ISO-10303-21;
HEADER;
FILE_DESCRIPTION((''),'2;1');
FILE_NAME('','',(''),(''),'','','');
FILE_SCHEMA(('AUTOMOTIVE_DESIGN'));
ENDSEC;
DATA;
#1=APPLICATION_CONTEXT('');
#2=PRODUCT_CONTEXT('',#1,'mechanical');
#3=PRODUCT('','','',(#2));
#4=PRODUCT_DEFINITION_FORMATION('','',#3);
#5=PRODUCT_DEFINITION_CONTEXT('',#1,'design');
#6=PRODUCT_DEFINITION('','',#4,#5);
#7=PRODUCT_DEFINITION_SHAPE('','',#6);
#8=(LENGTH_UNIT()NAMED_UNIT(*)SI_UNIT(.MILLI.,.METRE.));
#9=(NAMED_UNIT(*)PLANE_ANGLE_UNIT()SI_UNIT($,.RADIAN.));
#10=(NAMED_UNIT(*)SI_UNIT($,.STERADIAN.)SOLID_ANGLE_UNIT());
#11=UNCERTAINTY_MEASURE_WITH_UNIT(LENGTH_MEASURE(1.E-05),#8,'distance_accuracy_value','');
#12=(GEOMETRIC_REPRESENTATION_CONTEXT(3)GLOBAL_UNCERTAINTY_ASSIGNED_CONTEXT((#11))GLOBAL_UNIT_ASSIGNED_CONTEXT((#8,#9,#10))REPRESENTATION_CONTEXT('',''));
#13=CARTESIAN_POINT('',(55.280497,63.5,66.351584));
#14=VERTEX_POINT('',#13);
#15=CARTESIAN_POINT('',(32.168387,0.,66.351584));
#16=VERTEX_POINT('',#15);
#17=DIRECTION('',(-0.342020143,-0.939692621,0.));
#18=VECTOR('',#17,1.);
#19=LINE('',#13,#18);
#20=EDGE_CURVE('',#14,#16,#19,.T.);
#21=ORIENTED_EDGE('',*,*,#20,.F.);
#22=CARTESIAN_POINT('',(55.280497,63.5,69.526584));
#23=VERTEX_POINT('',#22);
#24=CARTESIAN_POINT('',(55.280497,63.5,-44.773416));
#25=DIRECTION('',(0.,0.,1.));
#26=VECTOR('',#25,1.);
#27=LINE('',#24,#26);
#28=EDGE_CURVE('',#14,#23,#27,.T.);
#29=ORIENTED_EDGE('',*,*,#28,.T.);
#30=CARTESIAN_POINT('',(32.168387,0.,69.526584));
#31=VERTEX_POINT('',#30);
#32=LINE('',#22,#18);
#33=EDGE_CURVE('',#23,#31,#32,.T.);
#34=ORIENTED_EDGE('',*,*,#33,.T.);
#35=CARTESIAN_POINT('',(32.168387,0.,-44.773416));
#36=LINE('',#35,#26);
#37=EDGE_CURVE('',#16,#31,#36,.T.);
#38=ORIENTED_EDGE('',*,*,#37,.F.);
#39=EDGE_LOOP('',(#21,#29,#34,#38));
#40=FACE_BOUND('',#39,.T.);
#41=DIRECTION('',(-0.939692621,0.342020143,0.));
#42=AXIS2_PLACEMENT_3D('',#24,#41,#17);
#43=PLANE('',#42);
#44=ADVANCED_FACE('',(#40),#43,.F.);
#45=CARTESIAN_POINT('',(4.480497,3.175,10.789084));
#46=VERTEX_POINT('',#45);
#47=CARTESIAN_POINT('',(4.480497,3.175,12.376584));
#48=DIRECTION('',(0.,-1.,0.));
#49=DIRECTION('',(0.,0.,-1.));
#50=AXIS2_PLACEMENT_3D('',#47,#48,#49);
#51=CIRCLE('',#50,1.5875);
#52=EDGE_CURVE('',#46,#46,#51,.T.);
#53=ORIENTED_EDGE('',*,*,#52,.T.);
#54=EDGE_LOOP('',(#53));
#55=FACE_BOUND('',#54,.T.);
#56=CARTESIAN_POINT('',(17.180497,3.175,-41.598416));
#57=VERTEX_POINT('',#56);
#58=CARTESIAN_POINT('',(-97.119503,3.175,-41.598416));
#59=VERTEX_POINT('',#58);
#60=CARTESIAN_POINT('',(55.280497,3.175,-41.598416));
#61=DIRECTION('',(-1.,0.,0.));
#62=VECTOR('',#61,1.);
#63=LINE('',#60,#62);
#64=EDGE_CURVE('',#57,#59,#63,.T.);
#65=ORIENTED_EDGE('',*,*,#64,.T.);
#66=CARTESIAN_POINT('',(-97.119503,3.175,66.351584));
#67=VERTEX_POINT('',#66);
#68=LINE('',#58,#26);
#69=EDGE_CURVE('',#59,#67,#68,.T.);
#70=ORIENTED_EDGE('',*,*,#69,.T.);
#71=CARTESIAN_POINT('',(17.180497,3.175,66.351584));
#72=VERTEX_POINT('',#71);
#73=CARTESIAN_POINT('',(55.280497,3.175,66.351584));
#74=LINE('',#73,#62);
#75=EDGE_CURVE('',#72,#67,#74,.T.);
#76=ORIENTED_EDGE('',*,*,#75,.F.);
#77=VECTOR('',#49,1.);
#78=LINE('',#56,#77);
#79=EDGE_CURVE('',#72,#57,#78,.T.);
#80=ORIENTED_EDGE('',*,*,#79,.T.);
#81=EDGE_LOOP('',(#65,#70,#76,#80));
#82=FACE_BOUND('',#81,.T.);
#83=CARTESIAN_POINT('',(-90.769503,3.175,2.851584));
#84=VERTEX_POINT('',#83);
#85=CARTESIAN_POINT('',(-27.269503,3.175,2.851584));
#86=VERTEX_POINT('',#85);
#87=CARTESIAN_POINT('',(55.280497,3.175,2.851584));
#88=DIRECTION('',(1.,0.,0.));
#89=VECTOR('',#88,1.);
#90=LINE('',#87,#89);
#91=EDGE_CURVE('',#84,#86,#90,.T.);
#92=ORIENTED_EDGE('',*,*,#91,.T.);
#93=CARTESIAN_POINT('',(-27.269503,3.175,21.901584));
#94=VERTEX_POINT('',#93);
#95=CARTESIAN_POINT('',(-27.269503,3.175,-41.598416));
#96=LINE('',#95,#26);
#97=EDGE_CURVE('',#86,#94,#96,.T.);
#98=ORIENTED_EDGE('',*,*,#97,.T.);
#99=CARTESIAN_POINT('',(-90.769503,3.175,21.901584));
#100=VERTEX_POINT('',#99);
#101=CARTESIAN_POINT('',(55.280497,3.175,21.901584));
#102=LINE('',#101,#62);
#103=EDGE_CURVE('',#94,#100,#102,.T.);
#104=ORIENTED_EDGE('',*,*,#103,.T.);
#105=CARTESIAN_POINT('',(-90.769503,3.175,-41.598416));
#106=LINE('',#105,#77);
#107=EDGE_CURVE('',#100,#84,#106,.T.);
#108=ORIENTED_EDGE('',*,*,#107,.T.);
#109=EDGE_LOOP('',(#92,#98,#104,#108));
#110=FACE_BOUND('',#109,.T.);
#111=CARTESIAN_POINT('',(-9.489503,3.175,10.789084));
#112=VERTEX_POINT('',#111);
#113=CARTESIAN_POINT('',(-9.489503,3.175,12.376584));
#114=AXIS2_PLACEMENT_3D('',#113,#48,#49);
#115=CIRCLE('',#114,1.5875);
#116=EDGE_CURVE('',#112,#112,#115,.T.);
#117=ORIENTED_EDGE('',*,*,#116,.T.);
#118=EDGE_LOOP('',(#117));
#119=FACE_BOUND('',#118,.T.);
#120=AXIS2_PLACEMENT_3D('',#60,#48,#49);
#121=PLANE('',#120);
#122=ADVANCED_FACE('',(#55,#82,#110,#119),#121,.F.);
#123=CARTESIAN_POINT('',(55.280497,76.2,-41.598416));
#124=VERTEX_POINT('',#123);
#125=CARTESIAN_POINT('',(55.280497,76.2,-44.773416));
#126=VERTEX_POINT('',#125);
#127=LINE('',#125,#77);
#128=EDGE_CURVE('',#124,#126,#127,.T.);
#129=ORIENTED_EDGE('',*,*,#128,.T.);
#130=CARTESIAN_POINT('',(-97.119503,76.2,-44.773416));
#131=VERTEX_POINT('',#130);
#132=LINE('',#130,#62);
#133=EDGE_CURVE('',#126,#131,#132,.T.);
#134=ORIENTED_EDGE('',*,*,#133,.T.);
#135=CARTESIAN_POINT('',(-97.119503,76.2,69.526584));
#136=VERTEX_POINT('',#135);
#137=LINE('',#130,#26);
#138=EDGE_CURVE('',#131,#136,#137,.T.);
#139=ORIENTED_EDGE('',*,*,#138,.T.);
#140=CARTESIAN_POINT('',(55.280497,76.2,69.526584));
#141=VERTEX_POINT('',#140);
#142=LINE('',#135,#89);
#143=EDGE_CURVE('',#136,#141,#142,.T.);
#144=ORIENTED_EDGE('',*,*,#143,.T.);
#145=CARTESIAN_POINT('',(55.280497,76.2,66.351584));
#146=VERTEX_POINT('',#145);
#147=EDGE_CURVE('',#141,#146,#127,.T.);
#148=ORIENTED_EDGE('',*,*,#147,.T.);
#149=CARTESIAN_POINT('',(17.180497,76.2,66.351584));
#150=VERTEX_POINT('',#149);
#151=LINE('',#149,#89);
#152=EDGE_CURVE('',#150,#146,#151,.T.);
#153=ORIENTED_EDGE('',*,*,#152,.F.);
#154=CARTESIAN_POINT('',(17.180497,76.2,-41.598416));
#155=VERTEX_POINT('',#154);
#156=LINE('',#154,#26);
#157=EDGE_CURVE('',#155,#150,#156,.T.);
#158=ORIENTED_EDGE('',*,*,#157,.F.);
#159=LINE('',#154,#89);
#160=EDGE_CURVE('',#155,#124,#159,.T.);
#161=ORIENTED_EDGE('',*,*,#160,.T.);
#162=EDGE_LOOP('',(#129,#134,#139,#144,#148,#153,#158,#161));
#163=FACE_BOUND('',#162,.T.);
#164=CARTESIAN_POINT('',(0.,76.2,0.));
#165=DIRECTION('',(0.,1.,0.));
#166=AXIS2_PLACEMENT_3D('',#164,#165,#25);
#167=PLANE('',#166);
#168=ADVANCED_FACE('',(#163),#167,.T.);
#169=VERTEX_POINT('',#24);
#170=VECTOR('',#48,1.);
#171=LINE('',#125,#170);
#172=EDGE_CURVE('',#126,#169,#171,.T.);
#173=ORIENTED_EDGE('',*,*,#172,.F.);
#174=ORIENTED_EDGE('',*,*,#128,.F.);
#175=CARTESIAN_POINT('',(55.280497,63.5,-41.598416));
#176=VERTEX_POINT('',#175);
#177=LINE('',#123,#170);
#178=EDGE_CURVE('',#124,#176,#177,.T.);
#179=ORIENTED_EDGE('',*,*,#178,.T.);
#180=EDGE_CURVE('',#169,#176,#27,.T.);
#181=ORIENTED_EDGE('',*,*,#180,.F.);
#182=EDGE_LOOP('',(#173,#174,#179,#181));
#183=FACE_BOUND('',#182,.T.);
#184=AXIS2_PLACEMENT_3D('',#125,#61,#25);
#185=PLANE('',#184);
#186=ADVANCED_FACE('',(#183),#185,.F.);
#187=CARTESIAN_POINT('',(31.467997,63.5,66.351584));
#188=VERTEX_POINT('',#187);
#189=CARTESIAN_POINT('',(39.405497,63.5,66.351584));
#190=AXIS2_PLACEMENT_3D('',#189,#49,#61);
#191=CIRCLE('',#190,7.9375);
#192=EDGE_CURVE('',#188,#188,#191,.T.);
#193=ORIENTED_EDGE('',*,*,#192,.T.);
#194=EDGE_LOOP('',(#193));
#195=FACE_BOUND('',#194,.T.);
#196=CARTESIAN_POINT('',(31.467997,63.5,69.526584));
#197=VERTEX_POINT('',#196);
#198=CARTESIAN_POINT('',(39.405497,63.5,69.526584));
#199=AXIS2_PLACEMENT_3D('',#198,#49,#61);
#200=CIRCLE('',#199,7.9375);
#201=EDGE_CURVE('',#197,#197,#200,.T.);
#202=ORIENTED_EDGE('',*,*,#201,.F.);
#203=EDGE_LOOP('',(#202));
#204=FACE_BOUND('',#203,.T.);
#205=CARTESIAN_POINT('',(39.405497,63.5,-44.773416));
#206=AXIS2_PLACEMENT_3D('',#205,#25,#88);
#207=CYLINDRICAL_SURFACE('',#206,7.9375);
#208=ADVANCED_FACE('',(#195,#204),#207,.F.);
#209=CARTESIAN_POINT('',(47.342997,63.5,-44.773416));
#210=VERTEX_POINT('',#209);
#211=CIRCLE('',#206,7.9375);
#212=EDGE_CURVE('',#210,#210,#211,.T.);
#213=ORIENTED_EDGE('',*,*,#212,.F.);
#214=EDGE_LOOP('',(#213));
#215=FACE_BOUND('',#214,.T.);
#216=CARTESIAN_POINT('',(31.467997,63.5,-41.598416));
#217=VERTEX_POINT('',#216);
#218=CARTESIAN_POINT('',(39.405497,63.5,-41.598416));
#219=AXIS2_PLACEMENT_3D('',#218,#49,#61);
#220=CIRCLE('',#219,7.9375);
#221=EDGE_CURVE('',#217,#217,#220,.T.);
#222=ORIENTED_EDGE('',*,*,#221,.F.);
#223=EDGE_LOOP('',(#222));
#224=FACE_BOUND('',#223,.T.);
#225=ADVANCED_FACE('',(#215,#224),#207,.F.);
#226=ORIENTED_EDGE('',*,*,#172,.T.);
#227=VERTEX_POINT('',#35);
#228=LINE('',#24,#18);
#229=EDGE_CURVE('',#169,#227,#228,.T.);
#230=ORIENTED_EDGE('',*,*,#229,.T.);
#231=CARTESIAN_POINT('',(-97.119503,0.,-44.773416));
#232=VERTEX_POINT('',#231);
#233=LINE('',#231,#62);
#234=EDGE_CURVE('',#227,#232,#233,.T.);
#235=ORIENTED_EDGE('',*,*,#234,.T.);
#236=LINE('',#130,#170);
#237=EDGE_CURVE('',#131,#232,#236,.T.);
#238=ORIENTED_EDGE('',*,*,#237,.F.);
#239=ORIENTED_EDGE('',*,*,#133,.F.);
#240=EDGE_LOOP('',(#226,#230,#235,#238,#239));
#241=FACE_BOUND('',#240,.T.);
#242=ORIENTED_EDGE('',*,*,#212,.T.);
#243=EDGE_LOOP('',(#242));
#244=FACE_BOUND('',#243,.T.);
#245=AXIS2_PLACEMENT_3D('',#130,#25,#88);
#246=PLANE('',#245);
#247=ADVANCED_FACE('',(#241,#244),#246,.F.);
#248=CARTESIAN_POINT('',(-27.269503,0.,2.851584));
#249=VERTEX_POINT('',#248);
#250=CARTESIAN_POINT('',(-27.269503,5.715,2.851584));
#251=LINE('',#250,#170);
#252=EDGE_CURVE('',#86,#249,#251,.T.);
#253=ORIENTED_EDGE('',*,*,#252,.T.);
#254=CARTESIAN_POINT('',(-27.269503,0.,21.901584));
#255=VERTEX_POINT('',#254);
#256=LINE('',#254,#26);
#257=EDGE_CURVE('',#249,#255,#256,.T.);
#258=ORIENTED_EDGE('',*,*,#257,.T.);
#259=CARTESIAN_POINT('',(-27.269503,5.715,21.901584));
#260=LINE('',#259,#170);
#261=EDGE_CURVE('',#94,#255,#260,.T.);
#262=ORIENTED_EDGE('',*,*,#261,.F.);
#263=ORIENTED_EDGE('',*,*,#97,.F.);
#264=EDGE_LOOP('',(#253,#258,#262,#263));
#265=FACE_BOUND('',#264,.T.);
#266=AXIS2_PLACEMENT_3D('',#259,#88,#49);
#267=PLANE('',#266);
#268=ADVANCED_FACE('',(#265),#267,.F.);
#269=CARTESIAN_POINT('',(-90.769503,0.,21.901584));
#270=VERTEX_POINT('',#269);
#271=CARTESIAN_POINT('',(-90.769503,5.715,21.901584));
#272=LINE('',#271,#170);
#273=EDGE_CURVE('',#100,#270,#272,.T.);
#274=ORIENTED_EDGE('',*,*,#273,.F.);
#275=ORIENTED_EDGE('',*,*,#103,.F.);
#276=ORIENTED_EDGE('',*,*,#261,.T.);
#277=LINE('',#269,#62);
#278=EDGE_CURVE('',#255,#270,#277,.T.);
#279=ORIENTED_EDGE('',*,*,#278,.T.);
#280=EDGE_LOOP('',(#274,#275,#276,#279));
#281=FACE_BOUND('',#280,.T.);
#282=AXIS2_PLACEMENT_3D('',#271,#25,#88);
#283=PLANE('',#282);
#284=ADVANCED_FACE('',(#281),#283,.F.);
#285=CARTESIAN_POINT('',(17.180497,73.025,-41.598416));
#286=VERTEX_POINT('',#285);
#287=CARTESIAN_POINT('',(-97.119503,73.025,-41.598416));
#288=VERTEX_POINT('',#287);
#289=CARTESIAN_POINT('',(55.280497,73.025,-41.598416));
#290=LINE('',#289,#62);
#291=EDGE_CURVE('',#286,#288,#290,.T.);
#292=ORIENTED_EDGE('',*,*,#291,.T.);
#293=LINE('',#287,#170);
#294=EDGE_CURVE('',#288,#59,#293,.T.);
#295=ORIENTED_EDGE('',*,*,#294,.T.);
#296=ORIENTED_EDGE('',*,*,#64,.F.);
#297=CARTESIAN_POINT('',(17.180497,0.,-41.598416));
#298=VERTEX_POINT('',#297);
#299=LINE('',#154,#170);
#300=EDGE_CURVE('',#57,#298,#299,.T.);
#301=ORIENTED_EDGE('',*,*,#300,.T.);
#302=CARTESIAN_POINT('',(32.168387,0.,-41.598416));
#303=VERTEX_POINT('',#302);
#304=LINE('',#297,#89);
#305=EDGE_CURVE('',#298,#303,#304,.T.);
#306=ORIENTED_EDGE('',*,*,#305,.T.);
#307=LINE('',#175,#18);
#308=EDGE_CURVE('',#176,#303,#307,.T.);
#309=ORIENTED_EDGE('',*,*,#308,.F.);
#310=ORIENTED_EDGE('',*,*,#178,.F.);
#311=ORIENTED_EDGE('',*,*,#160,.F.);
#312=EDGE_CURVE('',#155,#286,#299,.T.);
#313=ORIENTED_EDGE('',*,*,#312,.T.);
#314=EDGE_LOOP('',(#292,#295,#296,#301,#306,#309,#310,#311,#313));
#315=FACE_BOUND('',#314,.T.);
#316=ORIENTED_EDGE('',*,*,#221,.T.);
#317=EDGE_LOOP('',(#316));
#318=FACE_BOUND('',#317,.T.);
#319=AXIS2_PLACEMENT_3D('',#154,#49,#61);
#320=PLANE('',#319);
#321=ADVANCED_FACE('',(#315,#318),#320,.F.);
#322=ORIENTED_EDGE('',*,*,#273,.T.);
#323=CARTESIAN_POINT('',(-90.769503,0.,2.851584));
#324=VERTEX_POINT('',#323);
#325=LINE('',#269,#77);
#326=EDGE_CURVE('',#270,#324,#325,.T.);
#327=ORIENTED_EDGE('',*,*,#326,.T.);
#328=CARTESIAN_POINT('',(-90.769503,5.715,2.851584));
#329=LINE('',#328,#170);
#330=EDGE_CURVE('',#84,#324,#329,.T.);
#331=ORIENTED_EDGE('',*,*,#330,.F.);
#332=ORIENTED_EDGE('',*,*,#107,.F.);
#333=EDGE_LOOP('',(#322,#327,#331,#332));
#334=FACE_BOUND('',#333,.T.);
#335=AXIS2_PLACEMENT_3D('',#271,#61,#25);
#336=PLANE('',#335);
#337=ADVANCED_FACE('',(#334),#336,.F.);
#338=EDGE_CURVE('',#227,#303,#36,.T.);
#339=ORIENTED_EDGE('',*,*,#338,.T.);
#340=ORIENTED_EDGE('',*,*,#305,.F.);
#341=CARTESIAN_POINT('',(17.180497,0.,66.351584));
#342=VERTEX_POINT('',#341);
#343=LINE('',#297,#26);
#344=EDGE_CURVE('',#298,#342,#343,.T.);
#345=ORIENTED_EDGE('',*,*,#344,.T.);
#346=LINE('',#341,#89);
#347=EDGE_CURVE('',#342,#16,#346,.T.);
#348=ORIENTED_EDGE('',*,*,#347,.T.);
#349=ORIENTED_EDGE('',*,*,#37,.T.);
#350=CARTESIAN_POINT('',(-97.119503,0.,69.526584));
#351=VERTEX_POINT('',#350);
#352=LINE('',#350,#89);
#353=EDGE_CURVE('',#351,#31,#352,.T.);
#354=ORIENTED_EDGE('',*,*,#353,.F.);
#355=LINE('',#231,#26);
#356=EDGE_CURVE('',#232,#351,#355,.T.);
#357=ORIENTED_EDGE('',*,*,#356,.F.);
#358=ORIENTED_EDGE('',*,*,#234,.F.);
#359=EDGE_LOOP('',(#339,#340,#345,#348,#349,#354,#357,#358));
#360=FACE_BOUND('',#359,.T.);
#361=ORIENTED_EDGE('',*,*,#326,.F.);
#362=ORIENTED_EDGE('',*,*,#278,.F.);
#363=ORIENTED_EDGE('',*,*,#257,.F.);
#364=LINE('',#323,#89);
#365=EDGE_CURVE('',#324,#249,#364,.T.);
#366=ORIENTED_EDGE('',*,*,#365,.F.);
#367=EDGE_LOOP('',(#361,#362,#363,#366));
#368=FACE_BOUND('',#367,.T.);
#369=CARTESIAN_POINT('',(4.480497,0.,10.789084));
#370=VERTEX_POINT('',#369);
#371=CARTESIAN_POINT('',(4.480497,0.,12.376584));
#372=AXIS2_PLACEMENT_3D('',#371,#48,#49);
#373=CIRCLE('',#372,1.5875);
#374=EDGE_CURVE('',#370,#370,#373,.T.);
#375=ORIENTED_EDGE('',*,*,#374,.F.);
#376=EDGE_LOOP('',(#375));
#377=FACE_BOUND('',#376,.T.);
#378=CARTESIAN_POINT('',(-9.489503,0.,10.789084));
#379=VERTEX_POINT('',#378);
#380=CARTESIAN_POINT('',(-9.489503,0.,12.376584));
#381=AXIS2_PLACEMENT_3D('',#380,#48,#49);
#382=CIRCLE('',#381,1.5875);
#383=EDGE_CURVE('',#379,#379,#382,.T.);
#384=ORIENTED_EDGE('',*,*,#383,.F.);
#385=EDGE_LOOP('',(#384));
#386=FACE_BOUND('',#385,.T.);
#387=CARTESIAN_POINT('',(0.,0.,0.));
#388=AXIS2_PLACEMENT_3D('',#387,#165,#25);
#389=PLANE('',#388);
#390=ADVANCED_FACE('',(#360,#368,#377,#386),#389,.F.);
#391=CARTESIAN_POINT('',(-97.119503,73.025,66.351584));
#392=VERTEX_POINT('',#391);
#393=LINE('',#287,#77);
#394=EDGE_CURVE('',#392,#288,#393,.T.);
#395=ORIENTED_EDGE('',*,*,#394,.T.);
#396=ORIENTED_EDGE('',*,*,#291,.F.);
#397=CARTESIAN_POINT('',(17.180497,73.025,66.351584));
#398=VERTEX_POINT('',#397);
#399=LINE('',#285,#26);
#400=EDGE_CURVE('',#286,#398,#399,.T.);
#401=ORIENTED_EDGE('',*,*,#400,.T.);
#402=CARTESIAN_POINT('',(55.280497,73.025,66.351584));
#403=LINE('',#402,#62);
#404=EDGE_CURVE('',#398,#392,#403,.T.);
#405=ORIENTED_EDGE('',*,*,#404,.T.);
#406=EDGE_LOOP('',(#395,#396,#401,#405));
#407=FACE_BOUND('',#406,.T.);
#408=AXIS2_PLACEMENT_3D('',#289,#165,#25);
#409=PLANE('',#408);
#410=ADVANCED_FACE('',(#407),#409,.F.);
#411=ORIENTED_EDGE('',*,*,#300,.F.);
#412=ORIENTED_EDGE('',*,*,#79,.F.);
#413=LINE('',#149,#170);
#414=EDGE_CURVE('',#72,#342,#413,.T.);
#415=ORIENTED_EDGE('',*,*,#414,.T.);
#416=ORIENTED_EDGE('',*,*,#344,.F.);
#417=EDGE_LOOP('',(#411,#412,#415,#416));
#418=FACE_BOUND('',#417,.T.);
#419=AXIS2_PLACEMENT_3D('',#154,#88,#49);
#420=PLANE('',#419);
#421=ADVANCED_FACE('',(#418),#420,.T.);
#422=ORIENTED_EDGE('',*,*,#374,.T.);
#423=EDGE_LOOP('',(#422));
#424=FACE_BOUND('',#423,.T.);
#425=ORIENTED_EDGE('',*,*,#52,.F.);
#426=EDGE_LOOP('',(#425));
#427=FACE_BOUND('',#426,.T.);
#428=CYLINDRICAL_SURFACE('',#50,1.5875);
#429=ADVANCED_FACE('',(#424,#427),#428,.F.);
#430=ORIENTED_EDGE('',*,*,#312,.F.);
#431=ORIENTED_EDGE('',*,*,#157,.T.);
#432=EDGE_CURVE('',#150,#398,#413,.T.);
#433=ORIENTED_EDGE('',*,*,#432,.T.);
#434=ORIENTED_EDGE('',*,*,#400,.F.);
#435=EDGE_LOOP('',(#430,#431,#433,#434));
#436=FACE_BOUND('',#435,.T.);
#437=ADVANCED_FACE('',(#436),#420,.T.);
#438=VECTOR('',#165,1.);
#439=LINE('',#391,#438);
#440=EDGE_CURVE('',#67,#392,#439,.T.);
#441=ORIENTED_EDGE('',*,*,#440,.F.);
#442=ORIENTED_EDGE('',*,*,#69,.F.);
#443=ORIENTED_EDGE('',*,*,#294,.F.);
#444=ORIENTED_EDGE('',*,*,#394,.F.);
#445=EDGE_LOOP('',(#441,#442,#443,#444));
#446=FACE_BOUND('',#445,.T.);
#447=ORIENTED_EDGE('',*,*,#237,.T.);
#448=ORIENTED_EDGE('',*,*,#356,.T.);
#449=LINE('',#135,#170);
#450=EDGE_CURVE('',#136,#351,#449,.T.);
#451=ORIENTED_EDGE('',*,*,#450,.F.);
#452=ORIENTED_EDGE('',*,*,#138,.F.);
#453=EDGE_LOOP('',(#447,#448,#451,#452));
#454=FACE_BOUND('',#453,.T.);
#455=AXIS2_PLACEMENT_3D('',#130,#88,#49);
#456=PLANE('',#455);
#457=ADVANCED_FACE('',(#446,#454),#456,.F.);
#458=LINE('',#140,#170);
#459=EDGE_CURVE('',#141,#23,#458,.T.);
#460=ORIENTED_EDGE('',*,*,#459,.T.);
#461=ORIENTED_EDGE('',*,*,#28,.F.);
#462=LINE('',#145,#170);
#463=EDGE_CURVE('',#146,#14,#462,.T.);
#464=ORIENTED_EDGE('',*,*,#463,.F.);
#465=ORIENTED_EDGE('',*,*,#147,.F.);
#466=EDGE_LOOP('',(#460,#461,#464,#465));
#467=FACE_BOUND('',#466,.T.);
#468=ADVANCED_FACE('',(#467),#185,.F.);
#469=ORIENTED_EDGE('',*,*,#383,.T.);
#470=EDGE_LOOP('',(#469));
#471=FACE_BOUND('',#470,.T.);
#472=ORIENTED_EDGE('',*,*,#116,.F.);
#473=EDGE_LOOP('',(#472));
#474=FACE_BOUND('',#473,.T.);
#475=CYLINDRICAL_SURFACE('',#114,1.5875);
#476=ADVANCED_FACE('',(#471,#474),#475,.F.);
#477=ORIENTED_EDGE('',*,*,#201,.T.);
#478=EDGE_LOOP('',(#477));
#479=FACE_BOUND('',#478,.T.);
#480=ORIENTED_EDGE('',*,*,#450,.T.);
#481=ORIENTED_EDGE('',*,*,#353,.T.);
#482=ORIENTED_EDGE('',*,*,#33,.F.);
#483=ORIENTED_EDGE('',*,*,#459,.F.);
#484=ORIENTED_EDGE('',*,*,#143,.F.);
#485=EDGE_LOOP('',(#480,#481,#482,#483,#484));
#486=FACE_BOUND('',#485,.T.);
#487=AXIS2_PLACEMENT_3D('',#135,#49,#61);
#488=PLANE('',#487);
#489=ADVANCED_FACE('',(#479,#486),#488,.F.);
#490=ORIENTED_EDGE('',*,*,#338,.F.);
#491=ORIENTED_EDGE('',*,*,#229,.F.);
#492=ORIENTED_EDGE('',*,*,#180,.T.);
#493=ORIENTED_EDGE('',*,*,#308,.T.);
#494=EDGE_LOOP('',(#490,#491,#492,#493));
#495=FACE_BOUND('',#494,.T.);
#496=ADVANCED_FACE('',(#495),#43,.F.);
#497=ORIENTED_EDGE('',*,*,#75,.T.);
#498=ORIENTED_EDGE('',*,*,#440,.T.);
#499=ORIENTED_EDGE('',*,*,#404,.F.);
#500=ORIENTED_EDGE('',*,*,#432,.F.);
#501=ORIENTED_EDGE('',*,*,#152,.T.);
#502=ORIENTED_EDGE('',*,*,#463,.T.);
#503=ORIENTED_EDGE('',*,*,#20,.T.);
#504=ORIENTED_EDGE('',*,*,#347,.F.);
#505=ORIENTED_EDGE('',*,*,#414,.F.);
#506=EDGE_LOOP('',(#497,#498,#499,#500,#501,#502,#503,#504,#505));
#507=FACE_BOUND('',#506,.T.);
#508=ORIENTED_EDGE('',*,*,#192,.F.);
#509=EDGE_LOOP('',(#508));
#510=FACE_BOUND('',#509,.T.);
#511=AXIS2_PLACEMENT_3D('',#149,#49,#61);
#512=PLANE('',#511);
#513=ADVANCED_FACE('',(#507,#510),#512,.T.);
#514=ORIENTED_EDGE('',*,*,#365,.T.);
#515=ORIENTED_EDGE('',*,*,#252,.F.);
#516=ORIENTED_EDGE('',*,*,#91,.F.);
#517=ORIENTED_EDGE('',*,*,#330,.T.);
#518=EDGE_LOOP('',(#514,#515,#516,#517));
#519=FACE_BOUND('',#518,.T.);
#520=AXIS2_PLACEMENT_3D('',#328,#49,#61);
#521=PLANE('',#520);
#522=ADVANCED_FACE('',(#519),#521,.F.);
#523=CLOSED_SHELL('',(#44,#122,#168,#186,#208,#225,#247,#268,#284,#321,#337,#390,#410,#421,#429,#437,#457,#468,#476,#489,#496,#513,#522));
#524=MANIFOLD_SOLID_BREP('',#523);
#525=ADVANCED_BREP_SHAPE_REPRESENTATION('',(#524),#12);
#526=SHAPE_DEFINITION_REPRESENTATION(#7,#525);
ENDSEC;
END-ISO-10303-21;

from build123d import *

# Parameters (mm, degrees)
SKETCH1_W               = 152.4
SKETCH1_H               = 114.3
BOSS_EXTRUDE1_DEPTH     = 76.2
CUT_EXTRUDE1_DEPTH      = 142.677746119
CUT_EXTRUDE1_DEPTH_BACK = 142.677746119
SKETCH5_W               = 38.1
SKETCH5_H               = 107.95
CUT_EXTRUDE4_DEPTH      = 142.677746119
CUT_EXTRUDE5_DEPTH      = 169.235334824
CUT_EXTRUDE5_DEPTH_BACK = 169.235334824
SKETCH6_R               = 7.9375
SKETCH8_W               = 107.95
SKETCH8_H               = 69.85
CUT_EXTRUDE6_DEPTH      = 185.027568212
SKETCH9_R               = 1.5875
CUT_EXTRUDE7_DEPTH      = 3.175
SKETCH10_W              = 63.5
SKETCH10_H              = 19.05
CUT_EXTRUDE8_DEPTH      = 5.715


with BuildPart() as part:
    # Sketch1 → Boss-Extrude1 (new body)
    with BuildSketch(Plane(origin=(0, 0, 0), x_dir=(1, 0, 0), z_dir=(0, 1, 0))):
        with Locations((-20.919503106, -12.376583851)):
            Rectangle(SKETCH1_W, SKETCH1_H)
    extrude(amount=BOSS_EXTRUDE1_DEPTH)

    # Sketch3 → Cut-Extrude1 (cut, two sides: drawn at the far end of the back side and taken through both)
    with BuildSketch(Plane.XY.offset(-CUT_EXTRUDE1_DEPTH_BACK)):
        Polygon((55.280496894, 63.5), (32.168387019, 0), (55.280496894, 0), align=None)
    extrude(amount=CUT_EXTRUDE1_DEPTH + CUT_EXTRUDE1_DEPTH_BACK, mode=Mode.SUBTRACT)

    # Sketch5 → Cut-Extrude4 (cut, through all)
    with BuildSketch(Plane(origin=(0, 0, 0), x_dir=(1, 0, 0), z_dir=(0, 1, 0))):
        with Locations((36.230496894, -12.376583851)):
            Rectangle(SKETCH5_W, SKETCH5_H)
    extrude(amount=CUT_EXTRUDE4_DEPTH, mode=Mode.SUBTRACT)

    # Sketch6 → Cut-Extrude5 (cut, two sides: drawn at the far end of the back side and taken through both)
    with BuildSketch(Plane.XY.offset(69.526583851).offset(-CUT_EXTRUDE5_DEPTH_BACK)):
        with Locations((39.405496894, 63.5)):
            Circle(SKETCH6_R)
    extrude(amount=CUT_EXTRUDE5_DEPTH + CUT_EXTRUDE5_DEPTH_BACK, mode=Mode.SUBTRACT)

    # Sketch8 → Cut-Extrude6 (cut, through all)
    with BuildSketch(Plane.ZY.offset(97.119503106)):
        with Locations((12.376583851, 38.1)):
            Rectangle(SKETCH8_W, SKETCH8_H)
    extrude(amount=-CUT_EXTRUDE6_DEPTH, mode=Mode.SUBTRACT)

    # Sketch9 → Cut-Extrude7 (cut)
    with BuildSketch(Plane.XZ):
        with Locations(Location((4.480496894, 12.376583851, 0), (0, 0, 270))):
            Circle(SKETCH9_R)
        with Locations(Location((-9.489503106, 12.376583851, 0), (0, 0, 270))):
            Circle(SKETCH9_R)
    extrude(amount=-CUT_EXTRUDE7_DEPTH, mode=Mode.SUBTRACT)

    # Sketch10 → Cut-Extrude8 (cut)
    with BuildSketch(Plane.XZ):
        with Locations((-59.019503106, 12.376583851)):
            Rectangle(SKETCH10_W, SKETCH10_H)
    extrude(amount=-CUT_EXTRUDE8_DEPTH, mode=Mode.SUBTRACT)


solid = part.part
